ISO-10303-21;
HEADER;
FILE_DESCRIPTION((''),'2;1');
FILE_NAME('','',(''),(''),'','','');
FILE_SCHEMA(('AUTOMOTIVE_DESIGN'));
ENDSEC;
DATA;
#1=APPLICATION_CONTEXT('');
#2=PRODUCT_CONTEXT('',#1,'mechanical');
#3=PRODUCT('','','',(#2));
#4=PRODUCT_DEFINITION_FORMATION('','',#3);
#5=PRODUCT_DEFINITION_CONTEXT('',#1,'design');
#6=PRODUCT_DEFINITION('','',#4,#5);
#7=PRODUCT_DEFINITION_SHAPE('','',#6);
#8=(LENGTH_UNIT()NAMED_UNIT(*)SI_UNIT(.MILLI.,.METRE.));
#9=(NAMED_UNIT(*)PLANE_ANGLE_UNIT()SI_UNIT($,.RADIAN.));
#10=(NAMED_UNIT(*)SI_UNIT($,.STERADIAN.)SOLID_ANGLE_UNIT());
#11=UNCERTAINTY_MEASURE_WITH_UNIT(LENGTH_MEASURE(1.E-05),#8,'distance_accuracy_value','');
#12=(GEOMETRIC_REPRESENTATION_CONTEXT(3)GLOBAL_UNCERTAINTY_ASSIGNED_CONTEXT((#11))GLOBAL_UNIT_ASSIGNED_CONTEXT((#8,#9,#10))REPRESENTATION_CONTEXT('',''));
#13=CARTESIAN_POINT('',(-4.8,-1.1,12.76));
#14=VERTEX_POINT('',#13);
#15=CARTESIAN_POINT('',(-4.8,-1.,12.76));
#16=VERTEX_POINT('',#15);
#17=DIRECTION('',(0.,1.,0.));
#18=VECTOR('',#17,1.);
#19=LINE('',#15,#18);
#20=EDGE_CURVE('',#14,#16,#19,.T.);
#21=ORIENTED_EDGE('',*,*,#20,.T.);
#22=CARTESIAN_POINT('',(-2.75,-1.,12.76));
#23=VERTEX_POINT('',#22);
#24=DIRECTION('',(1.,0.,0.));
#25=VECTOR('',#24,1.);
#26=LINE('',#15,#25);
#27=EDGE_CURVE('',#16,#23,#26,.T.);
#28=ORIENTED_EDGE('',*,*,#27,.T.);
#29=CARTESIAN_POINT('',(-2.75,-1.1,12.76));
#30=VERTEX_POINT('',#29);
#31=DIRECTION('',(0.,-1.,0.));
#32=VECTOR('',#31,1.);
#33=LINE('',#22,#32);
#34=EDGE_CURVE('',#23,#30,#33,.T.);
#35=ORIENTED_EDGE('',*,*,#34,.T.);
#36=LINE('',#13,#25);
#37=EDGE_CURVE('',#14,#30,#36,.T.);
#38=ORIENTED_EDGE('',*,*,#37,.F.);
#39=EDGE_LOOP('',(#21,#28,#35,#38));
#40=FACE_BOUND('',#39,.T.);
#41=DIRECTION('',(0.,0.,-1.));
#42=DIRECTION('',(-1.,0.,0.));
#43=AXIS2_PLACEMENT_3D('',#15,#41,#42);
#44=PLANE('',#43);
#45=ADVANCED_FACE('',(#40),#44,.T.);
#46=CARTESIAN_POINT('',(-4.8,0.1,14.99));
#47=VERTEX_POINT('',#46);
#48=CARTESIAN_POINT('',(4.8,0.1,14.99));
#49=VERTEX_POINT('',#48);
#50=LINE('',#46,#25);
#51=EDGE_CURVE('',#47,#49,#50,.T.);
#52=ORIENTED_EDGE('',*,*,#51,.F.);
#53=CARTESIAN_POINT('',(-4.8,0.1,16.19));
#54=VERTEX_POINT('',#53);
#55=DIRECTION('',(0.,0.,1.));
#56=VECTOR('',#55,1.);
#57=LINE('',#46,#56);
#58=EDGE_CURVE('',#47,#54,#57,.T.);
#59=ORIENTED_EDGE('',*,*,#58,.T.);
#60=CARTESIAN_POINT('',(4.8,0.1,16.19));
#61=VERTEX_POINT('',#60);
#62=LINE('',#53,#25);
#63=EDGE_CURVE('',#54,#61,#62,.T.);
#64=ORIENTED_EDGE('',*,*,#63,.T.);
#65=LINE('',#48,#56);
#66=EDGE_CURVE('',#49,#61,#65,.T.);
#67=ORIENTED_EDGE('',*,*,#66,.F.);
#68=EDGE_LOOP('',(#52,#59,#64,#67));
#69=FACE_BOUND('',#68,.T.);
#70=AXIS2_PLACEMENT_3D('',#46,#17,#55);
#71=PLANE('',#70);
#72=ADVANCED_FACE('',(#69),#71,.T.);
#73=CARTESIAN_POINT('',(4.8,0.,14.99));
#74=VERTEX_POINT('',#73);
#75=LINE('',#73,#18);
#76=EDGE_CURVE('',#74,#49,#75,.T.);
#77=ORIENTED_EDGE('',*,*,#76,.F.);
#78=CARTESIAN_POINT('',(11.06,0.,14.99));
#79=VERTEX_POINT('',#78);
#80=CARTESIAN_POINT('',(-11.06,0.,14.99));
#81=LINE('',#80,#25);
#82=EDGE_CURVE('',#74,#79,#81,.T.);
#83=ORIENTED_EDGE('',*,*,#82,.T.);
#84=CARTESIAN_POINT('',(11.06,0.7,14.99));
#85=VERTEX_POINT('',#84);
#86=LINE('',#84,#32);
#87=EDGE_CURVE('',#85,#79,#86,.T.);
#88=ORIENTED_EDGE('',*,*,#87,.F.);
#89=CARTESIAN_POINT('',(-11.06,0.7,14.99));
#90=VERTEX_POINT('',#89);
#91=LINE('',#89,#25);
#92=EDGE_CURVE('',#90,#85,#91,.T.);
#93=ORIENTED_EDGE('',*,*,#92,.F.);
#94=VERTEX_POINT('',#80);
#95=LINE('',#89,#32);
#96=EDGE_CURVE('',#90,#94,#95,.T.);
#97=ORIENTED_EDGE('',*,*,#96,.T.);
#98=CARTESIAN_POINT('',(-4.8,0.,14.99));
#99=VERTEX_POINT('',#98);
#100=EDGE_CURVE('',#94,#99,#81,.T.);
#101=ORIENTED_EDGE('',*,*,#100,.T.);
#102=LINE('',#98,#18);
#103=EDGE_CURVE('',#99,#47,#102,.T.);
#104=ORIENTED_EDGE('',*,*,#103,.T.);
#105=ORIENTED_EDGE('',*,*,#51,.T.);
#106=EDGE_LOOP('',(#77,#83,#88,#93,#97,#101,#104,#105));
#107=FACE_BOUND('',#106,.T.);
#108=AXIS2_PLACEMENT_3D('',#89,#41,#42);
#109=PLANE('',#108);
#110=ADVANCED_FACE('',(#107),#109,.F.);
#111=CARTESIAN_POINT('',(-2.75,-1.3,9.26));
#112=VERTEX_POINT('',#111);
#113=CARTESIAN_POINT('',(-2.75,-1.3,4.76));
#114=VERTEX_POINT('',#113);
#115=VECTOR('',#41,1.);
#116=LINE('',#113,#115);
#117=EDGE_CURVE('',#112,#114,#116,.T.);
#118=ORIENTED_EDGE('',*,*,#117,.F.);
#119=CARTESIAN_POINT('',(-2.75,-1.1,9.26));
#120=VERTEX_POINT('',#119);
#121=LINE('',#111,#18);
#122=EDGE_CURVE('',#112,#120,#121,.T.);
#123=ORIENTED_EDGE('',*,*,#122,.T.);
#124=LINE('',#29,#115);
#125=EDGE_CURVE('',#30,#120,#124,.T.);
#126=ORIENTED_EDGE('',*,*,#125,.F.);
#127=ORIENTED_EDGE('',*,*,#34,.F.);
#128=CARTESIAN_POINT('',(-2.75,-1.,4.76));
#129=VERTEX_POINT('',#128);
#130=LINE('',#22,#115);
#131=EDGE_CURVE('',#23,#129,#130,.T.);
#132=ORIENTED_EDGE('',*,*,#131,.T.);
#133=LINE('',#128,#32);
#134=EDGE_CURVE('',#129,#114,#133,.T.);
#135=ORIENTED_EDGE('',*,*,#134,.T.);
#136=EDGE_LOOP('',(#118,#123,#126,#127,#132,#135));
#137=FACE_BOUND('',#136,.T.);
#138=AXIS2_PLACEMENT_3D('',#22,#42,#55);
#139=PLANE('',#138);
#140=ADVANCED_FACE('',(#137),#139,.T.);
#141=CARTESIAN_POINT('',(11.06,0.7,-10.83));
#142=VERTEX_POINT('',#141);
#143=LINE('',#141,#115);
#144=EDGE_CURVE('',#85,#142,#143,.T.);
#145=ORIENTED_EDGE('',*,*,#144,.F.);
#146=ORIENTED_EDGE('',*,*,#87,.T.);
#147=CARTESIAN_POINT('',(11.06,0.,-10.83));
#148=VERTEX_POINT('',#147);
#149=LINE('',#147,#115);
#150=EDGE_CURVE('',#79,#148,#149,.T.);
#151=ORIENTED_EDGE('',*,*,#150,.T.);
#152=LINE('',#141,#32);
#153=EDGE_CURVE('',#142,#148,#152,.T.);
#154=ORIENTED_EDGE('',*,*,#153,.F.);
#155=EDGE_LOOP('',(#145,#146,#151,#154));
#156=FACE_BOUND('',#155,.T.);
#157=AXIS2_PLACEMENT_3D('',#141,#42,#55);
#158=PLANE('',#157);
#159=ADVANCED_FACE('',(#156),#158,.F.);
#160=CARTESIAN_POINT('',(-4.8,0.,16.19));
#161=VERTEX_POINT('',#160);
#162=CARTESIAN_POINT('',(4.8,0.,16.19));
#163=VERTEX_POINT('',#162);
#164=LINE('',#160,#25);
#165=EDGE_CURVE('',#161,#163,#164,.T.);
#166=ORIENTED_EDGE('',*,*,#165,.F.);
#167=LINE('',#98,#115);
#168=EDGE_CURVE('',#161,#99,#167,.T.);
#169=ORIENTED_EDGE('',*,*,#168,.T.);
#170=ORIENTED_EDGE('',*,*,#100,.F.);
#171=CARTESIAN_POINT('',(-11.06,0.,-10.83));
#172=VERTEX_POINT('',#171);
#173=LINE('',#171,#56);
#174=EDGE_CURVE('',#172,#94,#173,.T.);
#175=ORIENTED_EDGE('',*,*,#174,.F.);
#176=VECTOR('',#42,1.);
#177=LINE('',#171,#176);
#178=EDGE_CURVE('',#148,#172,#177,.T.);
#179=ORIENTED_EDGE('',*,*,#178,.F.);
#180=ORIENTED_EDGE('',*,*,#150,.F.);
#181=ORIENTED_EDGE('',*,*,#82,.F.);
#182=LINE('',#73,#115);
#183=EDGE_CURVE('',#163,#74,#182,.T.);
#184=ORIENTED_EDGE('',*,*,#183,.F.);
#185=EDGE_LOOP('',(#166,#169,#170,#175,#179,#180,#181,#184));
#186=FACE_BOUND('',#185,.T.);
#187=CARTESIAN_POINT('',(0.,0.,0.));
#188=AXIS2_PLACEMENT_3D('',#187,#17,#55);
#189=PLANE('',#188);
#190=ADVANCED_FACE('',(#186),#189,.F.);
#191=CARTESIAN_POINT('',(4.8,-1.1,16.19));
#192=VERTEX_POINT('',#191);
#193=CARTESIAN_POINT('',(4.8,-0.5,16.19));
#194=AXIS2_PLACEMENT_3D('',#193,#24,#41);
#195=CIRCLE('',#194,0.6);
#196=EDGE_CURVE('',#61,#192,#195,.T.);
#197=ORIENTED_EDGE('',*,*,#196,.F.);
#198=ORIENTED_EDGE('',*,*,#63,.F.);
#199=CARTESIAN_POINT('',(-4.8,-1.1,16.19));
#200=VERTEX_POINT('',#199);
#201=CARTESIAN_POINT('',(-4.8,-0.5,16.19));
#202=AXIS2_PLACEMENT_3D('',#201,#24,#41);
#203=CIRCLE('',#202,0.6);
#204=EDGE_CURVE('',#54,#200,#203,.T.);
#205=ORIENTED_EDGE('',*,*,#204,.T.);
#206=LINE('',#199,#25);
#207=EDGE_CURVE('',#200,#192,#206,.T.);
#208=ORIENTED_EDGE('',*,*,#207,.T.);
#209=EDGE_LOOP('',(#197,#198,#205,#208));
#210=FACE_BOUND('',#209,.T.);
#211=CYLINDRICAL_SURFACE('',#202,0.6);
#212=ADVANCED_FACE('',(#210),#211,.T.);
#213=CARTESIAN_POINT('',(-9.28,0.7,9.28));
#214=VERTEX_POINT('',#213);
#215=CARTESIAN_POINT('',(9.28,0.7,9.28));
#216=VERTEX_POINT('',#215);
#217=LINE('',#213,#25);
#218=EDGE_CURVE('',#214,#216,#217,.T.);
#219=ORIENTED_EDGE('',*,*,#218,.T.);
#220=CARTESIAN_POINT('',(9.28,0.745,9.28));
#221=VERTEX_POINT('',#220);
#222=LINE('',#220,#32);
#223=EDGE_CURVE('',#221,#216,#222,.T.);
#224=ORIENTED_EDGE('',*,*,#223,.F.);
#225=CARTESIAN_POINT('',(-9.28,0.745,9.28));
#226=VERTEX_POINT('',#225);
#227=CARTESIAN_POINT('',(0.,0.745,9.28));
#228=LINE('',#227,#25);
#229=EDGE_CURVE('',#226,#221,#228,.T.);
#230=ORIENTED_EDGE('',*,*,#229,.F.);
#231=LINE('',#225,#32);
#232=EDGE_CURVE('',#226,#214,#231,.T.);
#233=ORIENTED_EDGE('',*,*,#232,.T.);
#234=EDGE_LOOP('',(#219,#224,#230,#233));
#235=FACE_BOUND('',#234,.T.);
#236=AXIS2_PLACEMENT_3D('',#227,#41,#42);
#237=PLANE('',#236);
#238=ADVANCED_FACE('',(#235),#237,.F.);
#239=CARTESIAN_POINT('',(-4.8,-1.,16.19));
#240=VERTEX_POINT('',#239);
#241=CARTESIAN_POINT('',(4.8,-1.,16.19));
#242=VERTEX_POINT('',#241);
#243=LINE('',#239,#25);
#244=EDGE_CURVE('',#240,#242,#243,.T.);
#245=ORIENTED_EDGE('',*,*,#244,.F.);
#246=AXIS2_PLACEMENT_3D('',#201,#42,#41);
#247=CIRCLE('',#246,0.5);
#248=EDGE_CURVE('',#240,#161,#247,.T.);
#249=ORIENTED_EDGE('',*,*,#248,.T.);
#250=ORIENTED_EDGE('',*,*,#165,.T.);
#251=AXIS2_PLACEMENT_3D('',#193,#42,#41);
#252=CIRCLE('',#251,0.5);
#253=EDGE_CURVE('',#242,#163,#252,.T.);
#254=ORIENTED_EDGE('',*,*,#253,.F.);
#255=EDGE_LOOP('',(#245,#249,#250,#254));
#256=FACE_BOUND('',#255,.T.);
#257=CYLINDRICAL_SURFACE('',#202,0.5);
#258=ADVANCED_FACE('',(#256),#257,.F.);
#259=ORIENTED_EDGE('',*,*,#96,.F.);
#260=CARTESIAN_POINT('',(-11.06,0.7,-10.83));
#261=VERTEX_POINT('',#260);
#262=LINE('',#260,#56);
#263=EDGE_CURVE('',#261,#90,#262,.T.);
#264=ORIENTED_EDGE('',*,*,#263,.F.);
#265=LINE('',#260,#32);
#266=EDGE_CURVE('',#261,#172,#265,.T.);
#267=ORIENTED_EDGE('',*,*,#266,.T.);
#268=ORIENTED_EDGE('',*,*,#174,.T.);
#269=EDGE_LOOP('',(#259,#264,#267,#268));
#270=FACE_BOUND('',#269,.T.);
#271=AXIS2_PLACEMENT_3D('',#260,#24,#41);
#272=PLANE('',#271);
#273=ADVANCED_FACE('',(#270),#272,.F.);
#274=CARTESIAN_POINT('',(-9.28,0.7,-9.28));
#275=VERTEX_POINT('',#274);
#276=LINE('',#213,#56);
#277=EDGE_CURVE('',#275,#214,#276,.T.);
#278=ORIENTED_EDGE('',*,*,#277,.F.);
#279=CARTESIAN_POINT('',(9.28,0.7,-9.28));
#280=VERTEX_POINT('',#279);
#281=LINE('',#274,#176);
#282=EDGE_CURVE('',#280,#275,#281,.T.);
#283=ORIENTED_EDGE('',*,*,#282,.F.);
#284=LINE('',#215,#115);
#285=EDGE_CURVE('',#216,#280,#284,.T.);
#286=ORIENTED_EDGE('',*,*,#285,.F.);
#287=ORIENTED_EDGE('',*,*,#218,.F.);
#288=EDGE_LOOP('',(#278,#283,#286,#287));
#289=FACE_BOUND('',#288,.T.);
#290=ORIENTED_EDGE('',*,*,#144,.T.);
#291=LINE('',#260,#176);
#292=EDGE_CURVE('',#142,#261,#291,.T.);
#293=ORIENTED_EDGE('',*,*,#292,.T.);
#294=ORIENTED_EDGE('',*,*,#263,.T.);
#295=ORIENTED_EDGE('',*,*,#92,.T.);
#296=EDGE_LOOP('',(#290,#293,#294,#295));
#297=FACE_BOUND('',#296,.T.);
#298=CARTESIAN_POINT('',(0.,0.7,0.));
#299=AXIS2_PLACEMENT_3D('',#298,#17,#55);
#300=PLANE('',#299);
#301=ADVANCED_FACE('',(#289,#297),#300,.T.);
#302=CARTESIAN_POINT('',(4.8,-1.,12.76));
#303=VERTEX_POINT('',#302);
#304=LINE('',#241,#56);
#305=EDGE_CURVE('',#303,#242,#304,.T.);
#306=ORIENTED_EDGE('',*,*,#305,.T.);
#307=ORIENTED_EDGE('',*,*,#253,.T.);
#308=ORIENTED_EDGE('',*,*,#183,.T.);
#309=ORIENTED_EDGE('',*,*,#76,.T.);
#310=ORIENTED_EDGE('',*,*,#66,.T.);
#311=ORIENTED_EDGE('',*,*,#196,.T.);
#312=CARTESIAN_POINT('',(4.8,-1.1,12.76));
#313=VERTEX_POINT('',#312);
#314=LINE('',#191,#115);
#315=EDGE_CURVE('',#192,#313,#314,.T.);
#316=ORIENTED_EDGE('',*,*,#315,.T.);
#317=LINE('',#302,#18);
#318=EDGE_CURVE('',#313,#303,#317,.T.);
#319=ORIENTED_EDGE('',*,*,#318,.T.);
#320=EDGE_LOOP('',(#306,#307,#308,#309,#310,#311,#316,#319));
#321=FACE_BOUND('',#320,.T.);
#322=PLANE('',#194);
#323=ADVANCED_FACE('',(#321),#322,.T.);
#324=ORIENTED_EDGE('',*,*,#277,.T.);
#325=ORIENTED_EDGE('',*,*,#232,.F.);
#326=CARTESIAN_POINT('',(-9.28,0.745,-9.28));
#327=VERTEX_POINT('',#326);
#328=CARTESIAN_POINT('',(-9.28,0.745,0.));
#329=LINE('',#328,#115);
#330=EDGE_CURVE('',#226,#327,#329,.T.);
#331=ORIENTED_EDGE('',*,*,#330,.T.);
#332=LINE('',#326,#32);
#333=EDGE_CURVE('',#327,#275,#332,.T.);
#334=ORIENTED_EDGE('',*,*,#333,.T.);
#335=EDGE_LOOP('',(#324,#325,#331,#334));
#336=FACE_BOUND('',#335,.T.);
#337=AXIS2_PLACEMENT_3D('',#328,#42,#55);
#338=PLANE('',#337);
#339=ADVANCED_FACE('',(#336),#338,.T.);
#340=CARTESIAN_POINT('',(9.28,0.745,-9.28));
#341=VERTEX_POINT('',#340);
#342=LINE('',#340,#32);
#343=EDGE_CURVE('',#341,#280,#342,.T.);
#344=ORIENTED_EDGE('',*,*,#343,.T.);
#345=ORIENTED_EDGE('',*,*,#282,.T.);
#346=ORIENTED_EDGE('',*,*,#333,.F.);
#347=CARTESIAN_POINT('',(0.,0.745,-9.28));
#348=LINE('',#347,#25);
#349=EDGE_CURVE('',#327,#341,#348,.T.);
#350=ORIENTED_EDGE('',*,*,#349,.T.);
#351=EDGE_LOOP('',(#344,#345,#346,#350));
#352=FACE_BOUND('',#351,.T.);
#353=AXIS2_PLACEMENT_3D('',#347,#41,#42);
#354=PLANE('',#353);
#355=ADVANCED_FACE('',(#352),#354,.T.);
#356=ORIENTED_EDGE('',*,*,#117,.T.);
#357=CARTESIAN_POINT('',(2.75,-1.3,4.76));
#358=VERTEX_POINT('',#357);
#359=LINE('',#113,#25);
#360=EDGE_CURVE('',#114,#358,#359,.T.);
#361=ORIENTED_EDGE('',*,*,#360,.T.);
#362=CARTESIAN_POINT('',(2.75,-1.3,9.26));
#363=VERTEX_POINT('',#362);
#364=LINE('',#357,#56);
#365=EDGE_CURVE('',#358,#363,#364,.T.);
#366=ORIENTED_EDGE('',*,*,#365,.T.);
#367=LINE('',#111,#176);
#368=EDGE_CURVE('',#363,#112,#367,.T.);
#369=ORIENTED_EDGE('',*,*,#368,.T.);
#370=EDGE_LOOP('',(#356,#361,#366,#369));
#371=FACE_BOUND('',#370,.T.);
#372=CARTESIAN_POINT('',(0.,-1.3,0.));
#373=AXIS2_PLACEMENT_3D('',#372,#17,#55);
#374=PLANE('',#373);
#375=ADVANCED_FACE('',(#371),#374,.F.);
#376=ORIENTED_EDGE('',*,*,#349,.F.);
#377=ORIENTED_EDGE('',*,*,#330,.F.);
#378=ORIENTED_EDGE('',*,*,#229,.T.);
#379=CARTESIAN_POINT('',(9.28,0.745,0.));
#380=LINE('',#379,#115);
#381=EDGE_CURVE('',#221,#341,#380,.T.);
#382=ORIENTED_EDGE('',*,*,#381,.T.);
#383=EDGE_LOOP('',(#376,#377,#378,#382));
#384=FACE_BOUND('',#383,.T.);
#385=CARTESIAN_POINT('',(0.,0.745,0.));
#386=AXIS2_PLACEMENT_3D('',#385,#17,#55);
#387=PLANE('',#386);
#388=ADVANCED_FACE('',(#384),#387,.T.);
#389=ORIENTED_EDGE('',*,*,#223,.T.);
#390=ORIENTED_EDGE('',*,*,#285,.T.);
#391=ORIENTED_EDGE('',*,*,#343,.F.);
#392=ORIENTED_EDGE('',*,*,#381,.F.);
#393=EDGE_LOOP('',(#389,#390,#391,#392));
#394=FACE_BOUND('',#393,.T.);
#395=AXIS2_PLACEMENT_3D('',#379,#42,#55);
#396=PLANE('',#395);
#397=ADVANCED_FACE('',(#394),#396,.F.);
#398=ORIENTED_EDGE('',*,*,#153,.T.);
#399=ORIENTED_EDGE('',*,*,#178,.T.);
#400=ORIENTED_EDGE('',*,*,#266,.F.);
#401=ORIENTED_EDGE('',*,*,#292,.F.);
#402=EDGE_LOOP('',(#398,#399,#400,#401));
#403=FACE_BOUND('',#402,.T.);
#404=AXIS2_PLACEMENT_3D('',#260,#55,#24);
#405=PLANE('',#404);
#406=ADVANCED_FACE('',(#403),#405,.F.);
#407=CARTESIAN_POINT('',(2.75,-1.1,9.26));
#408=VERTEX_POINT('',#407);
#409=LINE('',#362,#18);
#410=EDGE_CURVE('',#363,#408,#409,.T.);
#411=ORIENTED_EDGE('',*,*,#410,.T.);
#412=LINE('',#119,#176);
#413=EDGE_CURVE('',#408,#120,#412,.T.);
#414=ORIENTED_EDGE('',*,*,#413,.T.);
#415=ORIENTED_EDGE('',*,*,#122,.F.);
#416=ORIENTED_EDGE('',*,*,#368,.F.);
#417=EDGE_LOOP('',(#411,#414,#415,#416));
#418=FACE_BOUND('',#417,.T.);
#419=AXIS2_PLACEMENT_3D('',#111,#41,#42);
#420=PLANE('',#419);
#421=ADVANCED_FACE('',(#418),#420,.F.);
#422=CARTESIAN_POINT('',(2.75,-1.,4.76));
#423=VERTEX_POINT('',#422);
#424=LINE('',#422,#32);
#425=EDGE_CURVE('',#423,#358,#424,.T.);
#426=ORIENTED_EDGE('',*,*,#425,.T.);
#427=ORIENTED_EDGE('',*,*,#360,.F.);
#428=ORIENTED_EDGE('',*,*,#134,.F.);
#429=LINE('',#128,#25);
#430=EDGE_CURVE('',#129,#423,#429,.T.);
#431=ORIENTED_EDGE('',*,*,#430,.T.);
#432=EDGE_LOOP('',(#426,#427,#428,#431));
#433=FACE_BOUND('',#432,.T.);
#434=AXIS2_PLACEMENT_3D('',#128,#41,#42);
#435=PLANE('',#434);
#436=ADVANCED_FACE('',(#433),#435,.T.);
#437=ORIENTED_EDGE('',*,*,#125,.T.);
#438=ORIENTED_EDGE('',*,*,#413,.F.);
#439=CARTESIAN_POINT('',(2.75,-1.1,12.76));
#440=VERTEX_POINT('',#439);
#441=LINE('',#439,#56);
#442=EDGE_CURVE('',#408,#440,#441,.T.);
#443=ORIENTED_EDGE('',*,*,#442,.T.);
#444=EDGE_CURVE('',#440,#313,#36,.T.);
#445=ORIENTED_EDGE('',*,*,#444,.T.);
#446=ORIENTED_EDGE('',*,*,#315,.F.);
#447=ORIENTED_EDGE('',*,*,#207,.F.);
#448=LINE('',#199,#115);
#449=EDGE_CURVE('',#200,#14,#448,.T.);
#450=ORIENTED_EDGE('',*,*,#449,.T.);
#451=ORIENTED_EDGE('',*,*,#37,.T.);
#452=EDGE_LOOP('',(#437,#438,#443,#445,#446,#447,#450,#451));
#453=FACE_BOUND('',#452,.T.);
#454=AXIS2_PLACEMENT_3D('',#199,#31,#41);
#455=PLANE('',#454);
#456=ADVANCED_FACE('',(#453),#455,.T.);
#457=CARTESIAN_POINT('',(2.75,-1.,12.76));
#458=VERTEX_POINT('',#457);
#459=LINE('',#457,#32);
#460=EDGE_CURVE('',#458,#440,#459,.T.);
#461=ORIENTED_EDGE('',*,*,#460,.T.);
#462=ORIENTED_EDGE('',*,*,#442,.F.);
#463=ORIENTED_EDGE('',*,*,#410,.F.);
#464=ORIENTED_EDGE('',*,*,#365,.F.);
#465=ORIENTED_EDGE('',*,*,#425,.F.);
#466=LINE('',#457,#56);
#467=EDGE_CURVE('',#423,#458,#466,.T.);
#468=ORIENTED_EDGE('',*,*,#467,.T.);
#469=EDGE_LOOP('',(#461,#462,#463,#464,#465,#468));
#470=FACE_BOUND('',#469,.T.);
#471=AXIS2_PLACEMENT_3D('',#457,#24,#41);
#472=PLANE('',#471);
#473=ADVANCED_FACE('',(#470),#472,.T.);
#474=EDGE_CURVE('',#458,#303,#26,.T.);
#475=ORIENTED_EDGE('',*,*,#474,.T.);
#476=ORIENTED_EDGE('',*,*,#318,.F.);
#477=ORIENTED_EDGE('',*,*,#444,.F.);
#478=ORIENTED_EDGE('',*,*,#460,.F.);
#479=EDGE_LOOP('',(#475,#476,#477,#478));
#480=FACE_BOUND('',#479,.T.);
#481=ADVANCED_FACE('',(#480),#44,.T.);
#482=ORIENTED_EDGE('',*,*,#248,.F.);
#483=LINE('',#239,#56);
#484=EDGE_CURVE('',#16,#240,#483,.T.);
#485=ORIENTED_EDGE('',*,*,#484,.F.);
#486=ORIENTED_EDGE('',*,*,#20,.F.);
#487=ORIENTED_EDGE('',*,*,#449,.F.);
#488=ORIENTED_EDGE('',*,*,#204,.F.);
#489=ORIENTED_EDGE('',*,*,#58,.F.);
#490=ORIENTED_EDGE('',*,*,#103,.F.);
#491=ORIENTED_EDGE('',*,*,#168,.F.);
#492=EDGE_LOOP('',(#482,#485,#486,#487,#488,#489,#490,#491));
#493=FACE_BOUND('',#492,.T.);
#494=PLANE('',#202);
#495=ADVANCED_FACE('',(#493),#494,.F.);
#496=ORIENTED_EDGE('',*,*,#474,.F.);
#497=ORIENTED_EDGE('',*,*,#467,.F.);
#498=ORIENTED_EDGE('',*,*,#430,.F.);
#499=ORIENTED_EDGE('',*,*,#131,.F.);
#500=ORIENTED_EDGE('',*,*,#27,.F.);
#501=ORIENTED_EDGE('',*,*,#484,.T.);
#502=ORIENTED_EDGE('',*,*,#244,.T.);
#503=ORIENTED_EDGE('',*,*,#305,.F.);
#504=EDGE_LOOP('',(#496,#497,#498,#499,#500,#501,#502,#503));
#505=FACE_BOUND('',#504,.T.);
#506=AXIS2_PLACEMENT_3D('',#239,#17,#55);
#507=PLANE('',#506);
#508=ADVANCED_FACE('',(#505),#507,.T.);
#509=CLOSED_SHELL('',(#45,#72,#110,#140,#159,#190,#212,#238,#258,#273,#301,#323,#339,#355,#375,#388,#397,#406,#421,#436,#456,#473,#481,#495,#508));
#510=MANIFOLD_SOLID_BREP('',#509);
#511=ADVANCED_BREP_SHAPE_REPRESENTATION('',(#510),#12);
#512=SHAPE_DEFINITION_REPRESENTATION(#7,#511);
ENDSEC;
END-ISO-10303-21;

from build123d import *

# Parameters (mm, degrees)
SKETCH_1_W           = 22.12
SKETCH_1_H           = 25.82
SKETCH_1_W_2         = 18.56
SKETCH_1_H_2         = 18.56
EXTRUDE_1_DEPTH      = 0.7
SKETCH_1_2_W         = 18.56
SKETCH_1_2_H         = 18.56
EXTRUDE_2_DEPTH      = 0.745
EXTRUDE_3_DEPTH      = 4.8
EXTRUDE_3_DEPTH_BACK = 4.8
SKETCH_3_W           = 5.5
SKETCH_3_H           = 8
EXTRUDE_4_DEPTH      = 0.1
SKETCH_4_W           = 5.5
SKETCH_4_H           = 4.5
EXTRUDE_5_DEPTH      = 0.2


with BuildPart() as part:
    # 草图1 → 凸台-拉伸1 (new body)
    with BuildSketch(Plane(origin=(0, 0, 0), x_dir=(1, 0, 0), z_dir=(0, 1, 0))):
        with Locations((0, -2.08)):
            Rectangle(SKETCH_1_W, SKETCH_1_H)
        Rectangle(SKETCH_1_W_2, SKETCH_1_H_2, mode=Mode.SUBTRACT)
    extrude(amount=EXTRUDE_1_DEPTH)

    # 草图1<2> → 凸台-拉伸2 (add)
    with BuildSketch(Plane(origin=(0, 0, 0), x_dir=(1, 0, 0), z_dir=(0, 1, 0))):
        Rectangle(SKETCH_1_2_W, SKETCH_1_2_H)
    extrude(amount=EXTRUDE_2_DEPTH)

    # 草图2 → 凸台-拉伸3 (add, two sides: drawn at the far end of the back side and taken through both)
    with BuildSketch(Plane(origin=(0, 0, 0), x_dir=(0, 0, -1), z_dir=(1, 0, 0)).offset(-EXTRUDE_3_DEPTH_BACK)):
        with BuildLine():
            Line((-14.99, 0), (-16.19, 0))
            ThreePointArc((-16.19, 0), (-16.69, -0.5), (-16.19, -1))
            Line((-16.19, -1), (-12.76, -1))
            Line((-12.76, -1), (-12.76, -1.1))
            Line((-12.76, -1.1), (-16.19, -1.1))
            ThreePointArc((-16.19, -1.1), (-16.79, -0.5), (-16.19, 0.1))
            Line((-16.19, 0.1), (-14.99, 0.1))
            Line((-14.99, 0.1), (-14.99, 0))
        make_face()
    extrude(amount=EXTRUDE_3_DEPTH + EXTRUDE_3_DEPTH_BACK)

    # 草图3 → 凸台-拉伸4 (add)
    with BuildSketch(Plane.XZ.offset(1.1)):
        with Locations((0, 8.76)):
            Rectangle(SKETCH_3_W, SKETCH_3_H)
    extrude(amount=-EXTRUDE_4_DEPTH)

    # 草图4 → 凸台-拉伸5 (add)
    with BuildSketch(Plane.XZ.offset(1.1)):
        with Locations((0, 7.01)):
            Rectangle(SKETCH_4_W, SKETCH_4_H)
    extrude(amount=EXTRUDE_5_DEPTH)


solid = part.part
